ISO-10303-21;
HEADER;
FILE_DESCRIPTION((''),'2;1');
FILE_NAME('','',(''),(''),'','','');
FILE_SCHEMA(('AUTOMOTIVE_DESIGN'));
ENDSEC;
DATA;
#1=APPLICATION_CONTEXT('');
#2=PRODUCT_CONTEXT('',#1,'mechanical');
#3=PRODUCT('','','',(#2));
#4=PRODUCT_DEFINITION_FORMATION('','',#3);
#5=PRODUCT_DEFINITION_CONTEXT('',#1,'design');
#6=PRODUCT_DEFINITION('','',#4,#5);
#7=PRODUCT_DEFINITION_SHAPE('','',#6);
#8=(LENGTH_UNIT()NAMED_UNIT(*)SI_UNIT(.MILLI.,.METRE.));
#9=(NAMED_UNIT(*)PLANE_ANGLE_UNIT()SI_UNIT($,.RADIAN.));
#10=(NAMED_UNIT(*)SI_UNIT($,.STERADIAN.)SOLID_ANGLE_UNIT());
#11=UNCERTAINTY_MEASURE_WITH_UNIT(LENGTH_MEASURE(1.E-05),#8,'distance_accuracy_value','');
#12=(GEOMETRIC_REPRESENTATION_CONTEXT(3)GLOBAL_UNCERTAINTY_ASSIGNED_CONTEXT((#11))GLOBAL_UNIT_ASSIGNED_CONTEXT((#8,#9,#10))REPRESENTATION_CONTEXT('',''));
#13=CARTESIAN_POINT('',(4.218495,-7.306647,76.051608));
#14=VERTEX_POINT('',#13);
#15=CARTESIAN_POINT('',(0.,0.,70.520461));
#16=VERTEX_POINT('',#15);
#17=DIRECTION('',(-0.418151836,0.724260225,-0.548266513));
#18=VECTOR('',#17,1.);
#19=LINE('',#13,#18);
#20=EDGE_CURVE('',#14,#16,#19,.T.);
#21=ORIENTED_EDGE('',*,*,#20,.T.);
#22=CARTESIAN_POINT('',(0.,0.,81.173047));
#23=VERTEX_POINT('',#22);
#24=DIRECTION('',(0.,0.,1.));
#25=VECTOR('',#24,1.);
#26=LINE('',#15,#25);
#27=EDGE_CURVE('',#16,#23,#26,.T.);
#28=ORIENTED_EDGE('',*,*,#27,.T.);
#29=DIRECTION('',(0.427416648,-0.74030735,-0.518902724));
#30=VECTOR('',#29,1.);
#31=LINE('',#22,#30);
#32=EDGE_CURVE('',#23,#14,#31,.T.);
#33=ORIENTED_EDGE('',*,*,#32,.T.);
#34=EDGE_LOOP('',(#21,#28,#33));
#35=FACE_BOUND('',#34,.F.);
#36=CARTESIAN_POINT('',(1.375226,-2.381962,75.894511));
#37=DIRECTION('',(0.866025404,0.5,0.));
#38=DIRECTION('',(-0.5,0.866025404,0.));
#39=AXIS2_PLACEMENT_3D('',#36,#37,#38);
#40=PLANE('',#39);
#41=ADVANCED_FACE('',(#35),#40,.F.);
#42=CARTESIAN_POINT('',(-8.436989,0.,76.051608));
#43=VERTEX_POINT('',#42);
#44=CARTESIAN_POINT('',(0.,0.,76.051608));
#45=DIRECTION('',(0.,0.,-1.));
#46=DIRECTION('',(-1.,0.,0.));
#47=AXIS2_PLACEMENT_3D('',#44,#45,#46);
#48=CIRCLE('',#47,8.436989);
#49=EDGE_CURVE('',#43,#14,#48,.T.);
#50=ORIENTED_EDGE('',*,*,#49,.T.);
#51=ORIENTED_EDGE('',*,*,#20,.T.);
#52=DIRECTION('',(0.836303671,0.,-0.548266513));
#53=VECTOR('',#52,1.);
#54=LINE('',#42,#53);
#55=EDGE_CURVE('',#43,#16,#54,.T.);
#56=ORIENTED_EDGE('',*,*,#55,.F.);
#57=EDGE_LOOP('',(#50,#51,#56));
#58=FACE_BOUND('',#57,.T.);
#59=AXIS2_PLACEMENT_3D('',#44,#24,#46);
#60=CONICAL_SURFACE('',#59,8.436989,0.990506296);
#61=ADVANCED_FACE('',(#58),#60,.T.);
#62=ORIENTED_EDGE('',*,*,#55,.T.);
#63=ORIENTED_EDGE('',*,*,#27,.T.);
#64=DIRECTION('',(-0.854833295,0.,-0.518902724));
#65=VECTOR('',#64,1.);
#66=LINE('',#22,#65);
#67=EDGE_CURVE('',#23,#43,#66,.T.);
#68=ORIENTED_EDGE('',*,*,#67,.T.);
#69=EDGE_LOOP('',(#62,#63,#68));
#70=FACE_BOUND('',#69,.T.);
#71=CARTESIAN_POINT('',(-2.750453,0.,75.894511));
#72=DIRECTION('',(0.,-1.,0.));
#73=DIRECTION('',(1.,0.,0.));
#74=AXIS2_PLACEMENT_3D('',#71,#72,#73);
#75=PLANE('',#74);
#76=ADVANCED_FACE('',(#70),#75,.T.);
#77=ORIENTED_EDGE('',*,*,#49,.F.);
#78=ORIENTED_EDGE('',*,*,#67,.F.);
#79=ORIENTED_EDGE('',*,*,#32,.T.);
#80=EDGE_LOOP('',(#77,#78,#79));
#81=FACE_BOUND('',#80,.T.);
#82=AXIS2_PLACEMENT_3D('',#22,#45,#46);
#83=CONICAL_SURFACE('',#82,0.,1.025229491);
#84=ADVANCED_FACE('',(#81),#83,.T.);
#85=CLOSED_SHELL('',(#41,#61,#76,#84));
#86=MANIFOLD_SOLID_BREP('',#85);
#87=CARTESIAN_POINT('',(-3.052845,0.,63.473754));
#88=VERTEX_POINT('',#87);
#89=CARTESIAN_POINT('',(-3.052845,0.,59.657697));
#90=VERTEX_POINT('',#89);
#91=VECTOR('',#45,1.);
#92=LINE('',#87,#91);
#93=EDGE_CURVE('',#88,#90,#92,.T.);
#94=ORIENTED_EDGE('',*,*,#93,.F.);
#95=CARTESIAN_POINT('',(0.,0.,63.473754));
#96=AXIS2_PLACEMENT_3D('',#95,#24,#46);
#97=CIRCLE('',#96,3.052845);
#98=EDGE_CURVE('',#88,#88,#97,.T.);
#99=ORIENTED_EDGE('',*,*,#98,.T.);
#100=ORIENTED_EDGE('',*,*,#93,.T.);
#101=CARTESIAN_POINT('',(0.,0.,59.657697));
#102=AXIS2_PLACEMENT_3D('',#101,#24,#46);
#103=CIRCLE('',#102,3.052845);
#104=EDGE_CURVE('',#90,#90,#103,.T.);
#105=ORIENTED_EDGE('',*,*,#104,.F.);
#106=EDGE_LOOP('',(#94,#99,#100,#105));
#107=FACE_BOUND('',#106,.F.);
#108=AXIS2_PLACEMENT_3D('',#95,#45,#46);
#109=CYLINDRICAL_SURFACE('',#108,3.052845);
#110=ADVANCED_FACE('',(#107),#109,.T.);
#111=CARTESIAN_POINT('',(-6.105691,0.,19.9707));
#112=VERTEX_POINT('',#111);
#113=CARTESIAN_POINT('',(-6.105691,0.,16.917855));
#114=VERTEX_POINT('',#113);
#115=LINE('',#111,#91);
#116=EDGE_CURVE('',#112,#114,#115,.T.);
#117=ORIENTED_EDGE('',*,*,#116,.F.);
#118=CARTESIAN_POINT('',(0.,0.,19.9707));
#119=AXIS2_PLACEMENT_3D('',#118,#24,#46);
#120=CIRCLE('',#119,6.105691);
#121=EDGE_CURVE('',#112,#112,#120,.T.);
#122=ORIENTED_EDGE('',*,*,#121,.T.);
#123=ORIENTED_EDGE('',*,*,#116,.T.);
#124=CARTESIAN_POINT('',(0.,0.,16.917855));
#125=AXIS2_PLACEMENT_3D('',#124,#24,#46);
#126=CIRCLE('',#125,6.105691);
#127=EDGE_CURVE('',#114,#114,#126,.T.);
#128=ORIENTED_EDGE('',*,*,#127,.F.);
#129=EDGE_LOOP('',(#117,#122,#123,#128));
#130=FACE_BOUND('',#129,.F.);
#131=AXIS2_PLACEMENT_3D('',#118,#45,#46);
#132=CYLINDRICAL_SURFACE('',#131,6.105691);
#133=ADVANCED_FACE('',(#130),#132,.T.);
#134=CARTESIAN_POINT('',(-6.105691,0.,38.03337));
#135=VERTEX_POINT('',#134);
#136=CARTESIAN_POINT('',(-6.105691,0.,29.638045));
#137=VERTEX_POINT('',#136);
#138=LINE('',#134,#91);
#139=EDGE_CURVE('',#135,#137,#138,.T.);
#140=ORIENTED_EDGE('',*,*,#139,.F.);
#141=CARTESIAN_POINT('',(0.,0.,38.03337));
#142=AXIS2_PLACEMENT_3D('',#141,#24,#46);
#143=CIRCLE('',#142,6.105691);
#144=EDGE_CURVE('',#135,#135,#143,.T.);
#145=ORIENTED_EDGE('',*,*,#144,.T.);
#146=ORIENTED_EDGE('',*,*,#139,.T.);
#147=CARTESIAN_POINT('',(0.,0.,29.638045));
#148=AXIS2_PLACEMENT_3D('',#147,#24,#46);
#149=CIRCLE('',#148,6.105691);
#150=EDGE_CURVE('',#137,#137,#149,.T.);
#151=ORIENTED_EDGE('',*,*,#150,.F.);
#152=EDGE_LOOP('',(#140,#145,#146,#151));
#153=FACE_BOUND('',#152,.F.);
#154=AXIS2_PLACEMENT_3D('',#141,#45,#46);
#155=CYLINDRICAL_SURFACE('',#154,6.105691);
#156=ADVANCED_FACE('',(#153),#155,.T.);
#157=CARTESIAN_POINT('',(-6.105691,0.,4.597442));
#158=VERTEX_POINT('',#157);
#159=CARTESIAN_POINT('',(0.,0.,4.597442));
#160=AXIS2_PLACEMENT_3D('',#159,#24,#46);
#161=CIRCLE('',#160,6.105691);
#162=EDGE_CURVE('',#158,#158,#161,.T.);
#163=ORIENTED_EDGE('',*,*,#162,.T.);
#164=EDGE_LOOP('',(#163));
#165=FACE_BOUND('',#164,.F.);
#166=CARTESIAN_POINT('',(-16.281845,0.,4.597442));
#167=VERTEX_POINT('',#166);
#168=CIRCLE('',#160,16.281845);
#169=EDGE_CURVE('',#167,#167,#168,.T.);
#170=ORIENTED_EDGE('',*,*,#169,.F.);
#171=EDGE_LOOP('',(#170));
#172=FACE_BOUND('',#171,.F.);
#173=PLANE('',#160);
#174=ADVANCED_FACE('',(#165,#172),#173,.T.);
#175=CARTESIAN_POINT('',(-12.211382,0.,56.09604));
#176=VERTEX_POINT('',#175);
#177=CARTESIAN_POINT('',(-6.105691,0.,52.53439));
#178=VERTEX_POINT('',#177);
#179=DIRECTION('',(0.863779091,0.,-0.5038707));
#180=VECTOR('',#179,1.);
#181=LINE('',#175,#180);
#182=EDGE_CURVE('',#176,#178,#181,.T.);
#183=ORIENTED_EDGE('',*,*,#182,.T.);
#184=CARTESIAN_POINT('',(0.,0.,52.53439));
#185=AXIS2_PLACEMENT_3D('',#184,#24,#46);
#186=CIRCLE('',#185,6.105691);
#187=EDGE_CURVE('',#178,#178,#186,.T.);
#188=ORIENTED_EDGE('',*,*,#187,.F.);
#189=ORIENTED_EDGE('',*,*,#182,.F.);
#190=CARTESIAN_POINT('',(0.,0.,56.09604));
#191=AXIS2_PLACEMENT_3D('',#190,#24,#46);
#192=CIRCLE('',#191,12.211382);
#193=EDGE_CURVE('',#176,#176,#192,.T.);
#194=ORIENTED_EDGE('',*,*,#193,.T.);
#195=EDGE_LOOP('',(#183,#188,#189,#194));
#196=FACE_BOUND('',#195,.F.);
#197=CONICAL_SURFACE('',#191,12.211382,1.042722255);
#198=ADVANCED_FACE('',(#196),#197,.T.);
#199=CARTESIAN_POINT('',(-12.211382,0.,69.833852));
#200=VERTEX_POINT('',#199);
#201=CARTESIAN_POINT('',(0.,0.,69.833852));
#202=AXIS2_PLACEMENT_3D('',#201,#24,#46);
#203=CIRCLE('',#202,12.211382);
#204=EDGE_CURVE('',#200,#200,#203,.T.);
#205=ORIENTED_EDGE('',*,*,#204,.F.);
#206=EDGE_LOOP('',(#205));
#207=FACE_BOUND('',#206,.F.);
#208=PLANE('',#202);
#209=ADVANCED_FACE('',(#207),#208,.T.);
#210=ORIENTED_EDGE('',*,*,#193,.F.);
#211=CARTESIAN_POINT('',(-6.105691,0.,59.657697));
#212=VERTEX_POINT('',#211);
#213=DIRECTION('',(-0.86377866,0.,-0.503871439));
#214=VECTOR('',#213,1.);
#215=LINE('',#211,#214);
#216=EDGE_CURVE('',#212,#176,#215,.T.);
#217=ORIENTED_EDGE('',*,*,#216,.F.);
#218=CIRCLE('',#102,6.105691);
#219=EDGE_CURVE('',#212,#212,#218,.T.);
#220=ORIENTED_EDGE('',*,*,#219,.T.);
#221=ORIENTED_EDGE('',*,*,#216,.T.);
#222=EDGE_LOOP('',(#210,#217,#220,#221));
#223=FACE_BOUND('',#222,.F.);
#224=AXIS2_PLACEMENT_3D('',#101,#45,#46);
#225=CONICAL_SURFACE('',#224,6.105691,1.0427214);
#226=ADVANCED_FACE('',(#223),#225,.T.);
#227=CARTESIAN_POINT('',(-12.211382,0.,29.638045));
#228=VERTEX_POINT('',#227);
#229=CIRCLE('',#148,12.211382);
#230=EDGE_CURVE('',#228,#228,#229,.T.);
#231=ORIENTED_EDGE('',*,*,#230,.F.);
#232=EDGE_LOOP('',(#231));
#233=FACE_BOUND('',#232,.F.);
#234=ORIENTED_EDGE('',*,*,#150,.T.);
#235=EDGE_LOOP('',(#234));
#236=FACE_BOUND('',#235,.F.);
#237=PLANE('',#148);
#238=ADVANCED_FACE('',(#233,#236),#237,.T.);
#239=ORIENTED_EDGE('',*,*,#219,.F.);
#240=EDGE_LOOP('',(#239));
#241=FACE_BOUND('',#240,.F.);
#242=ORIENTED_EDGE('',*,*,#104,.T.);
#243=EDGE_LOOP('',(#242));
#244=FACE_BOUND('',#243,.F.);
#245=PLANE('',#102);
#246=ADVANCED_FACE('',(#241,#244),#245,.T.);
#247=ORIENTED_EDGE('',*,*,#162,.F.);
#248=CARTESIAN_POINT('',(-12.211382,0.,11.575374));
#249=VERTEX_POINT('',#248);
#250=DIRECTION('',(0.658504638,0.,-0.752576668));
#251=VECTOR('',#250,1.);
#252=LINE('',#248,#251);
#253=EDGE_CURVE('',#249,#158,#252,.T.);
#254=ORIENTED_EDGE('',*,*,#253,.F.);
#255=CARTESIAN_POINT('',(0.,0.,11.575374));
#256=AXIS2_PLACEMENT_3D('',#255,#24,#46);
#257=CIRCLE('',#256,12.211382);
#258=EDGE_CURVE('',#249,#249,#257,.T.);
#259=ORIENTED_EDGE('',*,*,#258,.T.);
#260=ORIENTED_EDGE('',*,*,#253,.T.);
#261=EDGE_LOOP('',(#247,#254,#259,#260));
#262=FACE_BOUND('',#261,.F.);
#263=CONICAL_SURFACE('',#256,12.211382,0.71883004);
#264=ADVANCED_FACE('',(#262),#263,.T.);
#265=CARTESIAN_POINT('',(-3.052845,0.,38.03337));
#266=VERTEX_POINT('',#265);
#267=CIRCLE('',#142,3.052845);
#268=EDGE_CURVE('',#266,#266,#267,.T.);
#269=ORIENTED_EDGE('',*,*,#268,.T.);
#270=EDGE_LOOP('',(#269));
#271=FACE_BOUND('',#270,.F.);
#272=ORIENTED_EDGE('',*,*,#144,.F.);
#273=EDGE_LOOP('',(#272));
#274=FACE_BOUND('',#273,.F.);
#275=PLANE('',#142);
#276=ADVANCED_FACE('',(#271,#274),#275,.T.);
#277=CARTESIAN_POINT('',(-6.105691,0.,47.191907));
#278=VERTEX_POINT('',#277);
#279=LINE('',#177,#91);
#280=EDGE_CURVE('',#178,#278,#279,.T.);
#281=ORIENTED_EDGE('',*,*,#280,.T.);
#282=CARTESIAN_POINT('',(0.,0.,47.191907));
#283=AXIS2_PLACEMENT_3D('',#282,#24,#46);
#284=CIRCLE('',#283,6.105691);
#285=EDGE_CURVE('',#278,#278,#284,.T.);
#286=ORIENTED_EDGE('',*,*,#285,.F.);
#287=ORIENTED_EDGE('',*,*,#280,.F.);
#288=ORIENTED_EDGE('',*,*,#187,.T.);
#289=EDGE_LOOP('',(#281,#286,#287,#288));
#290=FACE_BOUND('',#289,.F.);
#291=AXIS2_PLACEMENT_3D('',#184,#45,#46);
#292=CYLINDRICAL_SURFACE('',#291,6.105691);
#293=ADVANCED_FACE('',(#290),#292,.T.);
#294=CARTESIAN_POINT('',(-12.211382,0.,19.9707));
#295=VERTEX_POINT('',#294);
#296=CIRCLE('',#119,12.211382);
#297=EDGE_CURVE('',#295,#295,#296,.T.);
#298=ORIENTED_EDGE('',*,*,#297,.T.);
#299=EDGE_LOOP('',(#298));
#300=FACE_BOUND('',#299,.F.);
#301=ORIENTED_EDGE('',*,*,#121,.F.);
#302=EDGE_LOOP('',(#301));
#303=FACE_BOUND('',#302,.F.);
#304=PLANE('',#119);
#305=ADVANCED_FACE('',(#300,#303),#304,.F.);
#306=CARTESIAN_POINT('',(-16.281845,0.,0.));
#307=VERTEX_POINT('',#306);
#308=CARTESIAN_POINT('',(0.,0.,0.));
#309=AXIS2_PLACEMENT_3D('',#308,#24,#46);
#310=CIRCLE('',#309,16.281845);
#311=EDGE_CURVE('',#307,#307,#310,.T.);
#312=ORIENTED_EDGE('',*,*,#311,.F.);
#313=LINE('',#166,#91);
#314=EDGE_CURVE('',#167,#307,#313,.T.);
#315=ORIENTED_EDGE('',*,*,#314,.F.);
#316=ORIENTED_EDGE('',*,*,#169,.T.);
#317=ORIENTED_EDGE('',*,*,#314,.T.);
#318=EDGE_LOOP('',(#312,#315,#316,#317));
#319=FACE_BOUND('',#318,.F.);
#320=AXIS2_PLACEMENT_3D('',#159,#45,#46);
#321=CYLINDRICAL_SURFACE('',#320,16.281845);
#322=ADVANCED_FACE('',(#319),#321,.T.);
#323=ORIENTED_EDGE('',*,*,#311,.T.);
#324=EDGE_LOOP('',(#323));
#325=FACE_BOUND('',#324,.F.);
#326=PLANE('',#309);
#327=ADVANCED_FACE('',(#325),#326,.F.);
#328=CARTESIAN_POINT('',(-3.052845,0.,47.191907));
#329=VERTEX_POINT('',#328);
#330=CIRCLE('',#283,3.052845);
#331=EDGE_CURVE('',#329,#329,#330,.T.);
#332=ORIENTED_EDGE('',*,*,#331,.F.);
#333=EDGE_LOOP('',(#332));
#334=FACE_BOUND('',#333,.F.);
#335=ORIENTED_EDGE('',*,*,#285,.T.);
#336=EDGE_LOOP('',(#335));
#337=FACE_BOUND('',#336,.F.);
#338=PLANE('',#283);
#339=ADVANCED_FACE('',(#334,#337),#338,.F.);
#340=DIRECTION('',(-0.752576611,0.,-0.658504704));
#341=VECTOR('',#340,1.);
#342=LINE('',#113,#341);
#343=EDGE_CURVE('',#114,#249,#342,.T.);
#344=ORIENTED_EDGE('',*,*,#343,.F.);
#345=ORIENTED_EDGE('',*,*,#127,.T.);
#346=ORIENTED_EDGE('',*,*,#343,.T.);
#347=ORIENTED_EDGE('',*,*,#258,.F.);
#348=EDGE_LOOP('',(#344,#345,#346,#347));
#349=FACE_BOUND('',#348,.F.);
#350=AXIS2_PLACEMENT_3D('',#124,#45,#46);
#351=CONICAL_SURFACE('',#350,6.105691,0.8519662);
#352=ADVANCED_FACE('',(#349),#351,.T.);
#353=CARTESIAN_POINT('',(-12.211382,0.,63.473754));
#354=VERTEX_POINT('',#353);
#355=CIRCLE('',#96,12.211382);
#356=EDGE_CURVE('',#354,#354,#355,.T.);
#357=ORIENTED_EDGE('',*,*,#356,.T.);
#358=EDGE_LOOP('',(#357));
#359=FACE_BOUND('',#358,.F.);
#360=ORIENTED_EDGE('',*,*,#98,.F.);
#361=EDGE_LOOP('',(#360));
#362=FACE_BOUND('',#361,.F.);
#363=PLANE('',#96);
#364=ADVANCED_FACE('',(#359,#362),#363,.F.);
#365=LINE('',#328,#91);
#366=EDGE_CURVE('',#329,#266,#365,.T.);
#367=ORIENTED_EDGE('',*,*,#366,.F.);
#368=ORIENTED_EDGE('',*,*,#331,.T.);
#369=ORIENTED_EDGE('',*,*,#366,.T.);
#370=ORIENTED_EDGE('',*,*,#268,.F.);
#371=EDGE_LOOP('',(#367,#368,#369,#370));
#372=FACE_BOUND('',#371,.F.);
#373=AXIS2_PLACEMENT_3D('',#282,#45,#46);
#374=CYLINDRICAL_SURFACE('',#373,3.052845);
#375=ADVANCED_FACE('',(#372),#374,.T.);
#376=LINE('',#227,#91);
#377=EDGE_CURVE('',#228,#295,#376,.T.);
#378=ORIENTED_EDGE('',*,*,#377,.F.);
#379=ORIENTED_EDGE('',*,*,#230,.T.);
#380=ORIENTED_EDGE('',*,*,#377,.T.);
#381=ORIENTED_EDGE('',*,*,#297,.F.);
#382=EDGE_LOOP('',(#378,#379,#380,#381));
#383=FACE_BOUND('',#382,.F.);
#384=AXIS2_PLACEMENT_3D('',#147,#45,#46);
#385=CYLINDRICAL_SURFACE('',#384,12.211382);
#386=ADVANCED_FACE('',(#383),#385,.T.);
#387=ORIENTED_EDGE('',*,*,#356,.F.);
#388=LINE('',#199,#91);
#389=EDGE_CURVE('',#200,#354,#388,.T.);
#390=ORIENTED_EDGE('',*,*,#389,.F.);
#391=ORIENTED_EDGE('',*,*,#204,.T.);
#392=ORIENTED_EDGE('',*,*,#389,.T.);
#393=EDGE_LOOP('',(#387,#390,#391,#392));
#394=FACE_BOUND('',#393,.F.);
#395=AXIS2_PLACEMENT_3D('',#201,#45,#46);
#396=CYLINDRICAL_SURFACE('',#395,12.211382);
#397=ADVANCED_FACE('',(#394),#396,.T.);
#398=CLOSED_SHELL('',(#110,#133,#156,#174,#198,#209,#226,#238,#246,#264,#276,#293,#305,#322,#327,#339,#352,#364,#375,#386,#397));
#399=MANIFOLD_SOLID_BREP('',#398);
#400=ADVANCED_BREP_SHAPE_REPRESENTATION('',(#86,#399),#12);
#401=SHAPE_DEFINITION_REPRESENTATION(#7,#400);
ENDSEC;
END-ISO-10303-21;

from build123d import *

# Parameters (mm, degrees)
F3_ANGLE = 240


with BuildPart() as f1:
    # F0 (on Front) → F1 (revolve)
    with BuildSketch(Plane.XZ):
        Polygon((0, 0), (0, 69.833852), (-12.211382, 69.833852), (-12.211382, 63.473754), (-3.052845, 63.473754), (-3.052845, 59.657697), (-6.105691, 59.657697), (-12.211382, 56.09604), (-6.105691, 52.53439), (-6.105691, 47.191907), (-3.052845, 47.191907), (-3.052845, 38.03337), (-6.105691, 38.03337), (-6.105691, 29.638045), (-12.211382, 29.638045), (-12.211382, 19.9707), (-6.105691, 19.9707), (-6.105691, 16.917855), (-12.211382, 11.575374), (-6.105691, 4.597442), (-16.281845, 4.597442), (-16.281845, 0), align=None)
    revolve(axis=Axis((0, 0, 34.916926), (0, 0, 1)))


with BuildPart() as f3:
    # F2 (on Front) → F3 (revolve)
    with BuildSketch(Plane.XZ):
        Polygon((-8.436989, 76.051608), (0, 70.520461), (0, 81.173047), align=None)
    revolve(axis=Axis((0, 0, 75.846754), (0, 0, -1)), revolution_arc=F3_ANGLE)


solid = Compound([f1.part, f3.part])
